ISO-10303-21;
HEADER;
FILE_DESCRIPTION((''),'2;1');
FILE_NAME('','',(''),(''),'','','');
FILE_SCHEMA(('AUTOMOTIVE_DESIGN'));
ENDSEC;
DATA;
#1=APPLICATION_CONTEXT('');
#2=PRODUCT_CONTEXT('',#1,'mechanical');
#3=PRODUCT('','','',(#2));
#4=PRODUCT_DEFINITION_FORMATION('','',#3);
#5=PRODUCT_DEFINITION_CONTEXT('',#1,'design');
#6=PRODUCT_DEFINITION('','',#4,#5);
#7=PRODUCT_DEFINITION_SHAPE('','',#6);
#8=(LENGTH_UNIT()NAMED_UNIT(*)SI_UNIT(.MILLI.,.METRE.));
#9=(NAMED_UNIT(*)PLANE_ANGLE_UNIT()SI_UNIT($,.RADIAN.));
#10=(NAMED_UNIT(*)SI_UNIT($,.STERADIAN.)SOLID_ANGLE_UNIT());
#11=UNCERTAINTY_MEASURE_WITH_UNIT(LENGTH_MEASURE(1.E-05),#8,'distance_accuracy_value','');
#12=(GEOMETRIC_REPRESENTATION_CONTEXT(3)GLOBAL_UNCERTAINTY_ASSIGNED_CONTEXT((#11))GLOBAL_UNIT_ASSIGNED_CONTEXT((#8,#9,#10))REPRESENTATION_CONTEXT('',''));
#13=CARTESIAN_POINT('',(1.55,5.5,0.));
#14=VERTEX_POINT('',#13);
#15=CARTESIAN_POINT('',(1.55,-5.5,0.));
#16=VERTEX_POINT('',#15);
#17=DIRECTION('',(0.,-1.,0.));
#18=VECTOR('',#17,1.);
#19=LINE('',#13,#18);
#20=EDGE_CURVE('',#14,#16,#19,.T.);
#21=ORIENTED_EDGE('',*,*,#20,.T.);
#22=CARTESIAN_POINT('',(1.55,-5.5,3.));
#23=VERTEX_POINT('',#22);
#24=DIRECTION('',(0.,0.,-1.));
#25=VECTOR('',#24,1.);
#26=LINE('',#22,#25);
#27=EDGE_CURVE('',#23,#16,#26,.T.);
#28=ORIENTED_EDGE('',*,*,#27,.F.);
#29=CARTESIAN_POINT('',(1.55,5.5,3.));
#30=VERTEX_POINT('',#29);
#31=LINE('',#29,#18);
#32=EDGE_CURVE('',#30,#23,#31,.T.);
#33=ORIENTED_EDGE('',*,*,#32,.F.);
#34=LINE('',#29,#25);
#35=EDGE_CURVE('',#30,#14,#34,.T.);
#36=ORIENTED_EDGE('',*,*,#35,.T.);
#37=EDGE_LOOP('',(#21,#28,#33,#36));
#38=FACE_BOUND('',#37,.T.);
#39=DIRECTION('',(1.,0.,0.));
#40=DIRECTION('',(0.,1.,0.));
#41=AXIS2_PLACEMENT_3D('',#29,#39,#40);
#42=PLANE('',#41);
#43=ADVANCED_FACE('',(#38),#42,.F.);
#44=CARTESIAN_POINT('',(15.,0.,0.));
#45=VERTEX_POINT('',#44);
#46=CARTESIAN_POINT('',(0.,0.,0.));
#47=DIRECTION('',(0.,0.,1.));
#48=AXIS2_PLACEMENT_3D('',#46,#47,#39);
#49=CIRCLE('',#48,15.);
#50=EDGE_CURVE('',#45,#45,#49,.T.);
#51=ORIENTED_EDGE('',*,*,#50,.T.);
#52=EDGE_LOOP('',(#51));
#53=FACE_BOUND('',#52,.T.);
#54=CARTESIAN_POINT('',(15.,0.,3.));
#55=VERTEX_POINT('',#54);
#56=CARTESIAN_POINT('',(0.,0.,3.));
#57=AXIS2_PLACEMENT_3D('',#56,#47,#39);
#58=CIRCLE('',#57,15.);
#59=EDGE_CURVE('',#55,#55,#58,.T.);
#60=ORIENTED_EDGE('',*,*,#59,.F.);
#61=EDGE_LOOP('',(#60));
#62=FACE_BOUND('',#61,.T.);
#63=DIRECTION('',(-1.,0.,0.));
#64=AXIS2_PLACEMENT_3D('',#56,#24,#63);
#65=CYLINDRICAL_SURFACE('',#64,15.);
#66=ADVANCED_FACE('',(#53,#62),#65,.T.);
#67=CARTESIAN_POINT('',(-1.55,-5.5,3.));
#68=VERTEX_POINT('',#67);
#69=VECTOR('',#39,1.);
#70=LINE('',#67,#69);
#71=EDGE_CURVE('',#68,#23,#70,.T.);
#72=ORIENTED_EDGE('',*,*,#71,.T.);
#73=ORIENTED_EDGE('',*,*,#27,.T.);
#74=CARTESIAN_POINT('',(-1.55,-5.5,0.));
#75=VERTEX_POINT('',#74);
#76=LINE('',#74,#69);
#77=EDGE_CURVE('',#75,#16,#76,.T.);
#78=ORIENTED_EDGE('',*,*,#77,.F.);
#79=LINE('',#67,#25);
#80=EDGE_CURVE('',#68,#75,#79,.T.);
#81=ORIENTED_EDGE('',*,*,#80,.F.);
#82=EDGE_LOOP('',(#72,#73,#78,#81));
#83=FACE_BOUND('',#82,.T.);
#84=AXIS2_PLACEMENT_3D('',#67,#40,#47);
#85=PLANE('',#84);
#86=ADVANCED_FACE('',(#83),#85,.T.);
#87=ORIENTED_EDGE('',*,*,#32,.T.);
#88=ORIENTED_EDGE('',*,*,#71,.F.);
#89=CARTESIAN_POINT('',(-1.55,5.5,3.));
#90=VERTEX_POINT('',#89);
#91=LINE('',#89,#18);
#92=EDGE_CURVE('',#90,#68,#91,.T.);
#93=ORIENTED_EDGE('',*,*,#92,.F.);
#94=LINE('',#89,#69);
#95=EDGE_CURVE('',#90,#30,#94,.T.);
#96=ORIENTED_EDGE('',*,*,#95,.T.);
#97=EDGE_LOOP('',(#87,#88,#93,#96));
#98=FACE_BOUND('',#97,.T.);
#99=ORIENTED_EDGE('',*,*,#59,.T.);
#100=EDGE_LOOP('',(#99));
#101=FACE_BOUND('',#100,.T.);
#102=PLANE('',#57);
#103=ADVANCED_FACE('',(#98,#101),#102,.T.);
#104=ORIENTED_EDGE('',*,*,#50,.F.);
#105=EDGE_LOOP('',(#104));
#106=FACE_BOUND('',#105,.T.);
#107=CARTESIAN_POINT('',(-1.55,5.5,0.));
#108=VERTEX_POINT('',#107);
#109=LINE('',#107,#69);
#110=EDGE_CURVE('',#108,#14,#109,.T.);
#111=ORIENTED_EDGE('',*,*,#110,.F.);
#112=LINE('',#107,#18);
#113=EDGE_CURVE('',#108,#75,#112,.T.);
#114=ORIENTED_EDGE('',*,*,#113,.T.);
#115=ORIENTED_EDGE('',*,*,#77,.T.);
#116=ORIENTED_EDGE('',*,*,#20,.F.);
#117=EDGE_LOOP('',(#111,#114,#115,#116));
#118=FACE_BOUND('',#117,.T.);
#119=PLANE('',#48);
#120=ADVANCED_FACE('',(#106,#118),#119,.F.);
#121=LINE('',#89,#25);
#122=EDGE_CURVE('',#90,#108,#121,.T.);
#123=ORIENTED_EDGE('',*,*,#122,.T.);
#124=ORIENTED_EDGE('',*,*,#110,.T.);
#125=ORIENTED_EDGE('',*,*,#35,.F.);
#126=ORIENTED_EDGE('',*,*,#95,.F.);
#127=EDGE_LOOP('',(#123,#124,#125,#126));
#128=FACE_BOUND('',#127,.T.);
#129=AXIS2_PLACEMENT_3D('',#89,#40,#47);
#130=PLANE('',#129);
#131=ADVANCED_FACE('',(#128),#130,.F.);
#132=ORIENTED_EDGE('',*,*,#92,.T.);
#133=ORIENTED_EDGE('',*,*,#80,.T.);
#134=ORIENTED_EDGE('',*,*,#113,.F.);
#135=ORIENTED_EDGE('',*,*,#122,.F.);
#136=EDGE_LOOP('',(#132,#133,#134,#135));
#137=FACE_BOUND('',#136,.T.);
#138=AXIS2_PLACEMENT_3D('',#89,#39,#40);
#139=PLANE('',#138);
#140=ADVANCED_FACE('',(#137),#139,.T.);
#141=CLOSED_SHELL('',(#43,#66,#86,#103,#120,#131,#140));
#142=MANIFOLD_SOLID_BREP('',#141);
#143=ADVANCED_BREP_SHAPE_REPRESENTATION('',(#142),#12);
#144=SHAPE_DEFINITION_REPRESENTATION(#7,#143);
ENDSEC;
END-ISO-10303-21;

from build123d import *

# Parameters (mm, degrees)
SKETCH1_R           = 15
BOSS_EXTRUDE1_DEPTH = 3
SKETCH3_W           = 3.1
SKETCH3_H           = 11
CUT_EXTRUDE1_DEPTH  = 3


with BuildPart() as part:
    # Sketch1 → Boss-Extrude1 (new body)
    with BuildSketch(Plane.XY):
        Circle(SKETCH1_R)
    extrude(amount=BOSS_EXTRUDE1_DEPTH)

    # Sketch3 → Cut-Extrude1 (cut)
    with BuildSketch(Plane.XY):
        Rectangle(SKETCH3_W, SKETCH3_H)
    extrude(amount=CUT_EXTRUDE1_DEPTH, mode=Mode.SUBTRACT)


solid = part.part
